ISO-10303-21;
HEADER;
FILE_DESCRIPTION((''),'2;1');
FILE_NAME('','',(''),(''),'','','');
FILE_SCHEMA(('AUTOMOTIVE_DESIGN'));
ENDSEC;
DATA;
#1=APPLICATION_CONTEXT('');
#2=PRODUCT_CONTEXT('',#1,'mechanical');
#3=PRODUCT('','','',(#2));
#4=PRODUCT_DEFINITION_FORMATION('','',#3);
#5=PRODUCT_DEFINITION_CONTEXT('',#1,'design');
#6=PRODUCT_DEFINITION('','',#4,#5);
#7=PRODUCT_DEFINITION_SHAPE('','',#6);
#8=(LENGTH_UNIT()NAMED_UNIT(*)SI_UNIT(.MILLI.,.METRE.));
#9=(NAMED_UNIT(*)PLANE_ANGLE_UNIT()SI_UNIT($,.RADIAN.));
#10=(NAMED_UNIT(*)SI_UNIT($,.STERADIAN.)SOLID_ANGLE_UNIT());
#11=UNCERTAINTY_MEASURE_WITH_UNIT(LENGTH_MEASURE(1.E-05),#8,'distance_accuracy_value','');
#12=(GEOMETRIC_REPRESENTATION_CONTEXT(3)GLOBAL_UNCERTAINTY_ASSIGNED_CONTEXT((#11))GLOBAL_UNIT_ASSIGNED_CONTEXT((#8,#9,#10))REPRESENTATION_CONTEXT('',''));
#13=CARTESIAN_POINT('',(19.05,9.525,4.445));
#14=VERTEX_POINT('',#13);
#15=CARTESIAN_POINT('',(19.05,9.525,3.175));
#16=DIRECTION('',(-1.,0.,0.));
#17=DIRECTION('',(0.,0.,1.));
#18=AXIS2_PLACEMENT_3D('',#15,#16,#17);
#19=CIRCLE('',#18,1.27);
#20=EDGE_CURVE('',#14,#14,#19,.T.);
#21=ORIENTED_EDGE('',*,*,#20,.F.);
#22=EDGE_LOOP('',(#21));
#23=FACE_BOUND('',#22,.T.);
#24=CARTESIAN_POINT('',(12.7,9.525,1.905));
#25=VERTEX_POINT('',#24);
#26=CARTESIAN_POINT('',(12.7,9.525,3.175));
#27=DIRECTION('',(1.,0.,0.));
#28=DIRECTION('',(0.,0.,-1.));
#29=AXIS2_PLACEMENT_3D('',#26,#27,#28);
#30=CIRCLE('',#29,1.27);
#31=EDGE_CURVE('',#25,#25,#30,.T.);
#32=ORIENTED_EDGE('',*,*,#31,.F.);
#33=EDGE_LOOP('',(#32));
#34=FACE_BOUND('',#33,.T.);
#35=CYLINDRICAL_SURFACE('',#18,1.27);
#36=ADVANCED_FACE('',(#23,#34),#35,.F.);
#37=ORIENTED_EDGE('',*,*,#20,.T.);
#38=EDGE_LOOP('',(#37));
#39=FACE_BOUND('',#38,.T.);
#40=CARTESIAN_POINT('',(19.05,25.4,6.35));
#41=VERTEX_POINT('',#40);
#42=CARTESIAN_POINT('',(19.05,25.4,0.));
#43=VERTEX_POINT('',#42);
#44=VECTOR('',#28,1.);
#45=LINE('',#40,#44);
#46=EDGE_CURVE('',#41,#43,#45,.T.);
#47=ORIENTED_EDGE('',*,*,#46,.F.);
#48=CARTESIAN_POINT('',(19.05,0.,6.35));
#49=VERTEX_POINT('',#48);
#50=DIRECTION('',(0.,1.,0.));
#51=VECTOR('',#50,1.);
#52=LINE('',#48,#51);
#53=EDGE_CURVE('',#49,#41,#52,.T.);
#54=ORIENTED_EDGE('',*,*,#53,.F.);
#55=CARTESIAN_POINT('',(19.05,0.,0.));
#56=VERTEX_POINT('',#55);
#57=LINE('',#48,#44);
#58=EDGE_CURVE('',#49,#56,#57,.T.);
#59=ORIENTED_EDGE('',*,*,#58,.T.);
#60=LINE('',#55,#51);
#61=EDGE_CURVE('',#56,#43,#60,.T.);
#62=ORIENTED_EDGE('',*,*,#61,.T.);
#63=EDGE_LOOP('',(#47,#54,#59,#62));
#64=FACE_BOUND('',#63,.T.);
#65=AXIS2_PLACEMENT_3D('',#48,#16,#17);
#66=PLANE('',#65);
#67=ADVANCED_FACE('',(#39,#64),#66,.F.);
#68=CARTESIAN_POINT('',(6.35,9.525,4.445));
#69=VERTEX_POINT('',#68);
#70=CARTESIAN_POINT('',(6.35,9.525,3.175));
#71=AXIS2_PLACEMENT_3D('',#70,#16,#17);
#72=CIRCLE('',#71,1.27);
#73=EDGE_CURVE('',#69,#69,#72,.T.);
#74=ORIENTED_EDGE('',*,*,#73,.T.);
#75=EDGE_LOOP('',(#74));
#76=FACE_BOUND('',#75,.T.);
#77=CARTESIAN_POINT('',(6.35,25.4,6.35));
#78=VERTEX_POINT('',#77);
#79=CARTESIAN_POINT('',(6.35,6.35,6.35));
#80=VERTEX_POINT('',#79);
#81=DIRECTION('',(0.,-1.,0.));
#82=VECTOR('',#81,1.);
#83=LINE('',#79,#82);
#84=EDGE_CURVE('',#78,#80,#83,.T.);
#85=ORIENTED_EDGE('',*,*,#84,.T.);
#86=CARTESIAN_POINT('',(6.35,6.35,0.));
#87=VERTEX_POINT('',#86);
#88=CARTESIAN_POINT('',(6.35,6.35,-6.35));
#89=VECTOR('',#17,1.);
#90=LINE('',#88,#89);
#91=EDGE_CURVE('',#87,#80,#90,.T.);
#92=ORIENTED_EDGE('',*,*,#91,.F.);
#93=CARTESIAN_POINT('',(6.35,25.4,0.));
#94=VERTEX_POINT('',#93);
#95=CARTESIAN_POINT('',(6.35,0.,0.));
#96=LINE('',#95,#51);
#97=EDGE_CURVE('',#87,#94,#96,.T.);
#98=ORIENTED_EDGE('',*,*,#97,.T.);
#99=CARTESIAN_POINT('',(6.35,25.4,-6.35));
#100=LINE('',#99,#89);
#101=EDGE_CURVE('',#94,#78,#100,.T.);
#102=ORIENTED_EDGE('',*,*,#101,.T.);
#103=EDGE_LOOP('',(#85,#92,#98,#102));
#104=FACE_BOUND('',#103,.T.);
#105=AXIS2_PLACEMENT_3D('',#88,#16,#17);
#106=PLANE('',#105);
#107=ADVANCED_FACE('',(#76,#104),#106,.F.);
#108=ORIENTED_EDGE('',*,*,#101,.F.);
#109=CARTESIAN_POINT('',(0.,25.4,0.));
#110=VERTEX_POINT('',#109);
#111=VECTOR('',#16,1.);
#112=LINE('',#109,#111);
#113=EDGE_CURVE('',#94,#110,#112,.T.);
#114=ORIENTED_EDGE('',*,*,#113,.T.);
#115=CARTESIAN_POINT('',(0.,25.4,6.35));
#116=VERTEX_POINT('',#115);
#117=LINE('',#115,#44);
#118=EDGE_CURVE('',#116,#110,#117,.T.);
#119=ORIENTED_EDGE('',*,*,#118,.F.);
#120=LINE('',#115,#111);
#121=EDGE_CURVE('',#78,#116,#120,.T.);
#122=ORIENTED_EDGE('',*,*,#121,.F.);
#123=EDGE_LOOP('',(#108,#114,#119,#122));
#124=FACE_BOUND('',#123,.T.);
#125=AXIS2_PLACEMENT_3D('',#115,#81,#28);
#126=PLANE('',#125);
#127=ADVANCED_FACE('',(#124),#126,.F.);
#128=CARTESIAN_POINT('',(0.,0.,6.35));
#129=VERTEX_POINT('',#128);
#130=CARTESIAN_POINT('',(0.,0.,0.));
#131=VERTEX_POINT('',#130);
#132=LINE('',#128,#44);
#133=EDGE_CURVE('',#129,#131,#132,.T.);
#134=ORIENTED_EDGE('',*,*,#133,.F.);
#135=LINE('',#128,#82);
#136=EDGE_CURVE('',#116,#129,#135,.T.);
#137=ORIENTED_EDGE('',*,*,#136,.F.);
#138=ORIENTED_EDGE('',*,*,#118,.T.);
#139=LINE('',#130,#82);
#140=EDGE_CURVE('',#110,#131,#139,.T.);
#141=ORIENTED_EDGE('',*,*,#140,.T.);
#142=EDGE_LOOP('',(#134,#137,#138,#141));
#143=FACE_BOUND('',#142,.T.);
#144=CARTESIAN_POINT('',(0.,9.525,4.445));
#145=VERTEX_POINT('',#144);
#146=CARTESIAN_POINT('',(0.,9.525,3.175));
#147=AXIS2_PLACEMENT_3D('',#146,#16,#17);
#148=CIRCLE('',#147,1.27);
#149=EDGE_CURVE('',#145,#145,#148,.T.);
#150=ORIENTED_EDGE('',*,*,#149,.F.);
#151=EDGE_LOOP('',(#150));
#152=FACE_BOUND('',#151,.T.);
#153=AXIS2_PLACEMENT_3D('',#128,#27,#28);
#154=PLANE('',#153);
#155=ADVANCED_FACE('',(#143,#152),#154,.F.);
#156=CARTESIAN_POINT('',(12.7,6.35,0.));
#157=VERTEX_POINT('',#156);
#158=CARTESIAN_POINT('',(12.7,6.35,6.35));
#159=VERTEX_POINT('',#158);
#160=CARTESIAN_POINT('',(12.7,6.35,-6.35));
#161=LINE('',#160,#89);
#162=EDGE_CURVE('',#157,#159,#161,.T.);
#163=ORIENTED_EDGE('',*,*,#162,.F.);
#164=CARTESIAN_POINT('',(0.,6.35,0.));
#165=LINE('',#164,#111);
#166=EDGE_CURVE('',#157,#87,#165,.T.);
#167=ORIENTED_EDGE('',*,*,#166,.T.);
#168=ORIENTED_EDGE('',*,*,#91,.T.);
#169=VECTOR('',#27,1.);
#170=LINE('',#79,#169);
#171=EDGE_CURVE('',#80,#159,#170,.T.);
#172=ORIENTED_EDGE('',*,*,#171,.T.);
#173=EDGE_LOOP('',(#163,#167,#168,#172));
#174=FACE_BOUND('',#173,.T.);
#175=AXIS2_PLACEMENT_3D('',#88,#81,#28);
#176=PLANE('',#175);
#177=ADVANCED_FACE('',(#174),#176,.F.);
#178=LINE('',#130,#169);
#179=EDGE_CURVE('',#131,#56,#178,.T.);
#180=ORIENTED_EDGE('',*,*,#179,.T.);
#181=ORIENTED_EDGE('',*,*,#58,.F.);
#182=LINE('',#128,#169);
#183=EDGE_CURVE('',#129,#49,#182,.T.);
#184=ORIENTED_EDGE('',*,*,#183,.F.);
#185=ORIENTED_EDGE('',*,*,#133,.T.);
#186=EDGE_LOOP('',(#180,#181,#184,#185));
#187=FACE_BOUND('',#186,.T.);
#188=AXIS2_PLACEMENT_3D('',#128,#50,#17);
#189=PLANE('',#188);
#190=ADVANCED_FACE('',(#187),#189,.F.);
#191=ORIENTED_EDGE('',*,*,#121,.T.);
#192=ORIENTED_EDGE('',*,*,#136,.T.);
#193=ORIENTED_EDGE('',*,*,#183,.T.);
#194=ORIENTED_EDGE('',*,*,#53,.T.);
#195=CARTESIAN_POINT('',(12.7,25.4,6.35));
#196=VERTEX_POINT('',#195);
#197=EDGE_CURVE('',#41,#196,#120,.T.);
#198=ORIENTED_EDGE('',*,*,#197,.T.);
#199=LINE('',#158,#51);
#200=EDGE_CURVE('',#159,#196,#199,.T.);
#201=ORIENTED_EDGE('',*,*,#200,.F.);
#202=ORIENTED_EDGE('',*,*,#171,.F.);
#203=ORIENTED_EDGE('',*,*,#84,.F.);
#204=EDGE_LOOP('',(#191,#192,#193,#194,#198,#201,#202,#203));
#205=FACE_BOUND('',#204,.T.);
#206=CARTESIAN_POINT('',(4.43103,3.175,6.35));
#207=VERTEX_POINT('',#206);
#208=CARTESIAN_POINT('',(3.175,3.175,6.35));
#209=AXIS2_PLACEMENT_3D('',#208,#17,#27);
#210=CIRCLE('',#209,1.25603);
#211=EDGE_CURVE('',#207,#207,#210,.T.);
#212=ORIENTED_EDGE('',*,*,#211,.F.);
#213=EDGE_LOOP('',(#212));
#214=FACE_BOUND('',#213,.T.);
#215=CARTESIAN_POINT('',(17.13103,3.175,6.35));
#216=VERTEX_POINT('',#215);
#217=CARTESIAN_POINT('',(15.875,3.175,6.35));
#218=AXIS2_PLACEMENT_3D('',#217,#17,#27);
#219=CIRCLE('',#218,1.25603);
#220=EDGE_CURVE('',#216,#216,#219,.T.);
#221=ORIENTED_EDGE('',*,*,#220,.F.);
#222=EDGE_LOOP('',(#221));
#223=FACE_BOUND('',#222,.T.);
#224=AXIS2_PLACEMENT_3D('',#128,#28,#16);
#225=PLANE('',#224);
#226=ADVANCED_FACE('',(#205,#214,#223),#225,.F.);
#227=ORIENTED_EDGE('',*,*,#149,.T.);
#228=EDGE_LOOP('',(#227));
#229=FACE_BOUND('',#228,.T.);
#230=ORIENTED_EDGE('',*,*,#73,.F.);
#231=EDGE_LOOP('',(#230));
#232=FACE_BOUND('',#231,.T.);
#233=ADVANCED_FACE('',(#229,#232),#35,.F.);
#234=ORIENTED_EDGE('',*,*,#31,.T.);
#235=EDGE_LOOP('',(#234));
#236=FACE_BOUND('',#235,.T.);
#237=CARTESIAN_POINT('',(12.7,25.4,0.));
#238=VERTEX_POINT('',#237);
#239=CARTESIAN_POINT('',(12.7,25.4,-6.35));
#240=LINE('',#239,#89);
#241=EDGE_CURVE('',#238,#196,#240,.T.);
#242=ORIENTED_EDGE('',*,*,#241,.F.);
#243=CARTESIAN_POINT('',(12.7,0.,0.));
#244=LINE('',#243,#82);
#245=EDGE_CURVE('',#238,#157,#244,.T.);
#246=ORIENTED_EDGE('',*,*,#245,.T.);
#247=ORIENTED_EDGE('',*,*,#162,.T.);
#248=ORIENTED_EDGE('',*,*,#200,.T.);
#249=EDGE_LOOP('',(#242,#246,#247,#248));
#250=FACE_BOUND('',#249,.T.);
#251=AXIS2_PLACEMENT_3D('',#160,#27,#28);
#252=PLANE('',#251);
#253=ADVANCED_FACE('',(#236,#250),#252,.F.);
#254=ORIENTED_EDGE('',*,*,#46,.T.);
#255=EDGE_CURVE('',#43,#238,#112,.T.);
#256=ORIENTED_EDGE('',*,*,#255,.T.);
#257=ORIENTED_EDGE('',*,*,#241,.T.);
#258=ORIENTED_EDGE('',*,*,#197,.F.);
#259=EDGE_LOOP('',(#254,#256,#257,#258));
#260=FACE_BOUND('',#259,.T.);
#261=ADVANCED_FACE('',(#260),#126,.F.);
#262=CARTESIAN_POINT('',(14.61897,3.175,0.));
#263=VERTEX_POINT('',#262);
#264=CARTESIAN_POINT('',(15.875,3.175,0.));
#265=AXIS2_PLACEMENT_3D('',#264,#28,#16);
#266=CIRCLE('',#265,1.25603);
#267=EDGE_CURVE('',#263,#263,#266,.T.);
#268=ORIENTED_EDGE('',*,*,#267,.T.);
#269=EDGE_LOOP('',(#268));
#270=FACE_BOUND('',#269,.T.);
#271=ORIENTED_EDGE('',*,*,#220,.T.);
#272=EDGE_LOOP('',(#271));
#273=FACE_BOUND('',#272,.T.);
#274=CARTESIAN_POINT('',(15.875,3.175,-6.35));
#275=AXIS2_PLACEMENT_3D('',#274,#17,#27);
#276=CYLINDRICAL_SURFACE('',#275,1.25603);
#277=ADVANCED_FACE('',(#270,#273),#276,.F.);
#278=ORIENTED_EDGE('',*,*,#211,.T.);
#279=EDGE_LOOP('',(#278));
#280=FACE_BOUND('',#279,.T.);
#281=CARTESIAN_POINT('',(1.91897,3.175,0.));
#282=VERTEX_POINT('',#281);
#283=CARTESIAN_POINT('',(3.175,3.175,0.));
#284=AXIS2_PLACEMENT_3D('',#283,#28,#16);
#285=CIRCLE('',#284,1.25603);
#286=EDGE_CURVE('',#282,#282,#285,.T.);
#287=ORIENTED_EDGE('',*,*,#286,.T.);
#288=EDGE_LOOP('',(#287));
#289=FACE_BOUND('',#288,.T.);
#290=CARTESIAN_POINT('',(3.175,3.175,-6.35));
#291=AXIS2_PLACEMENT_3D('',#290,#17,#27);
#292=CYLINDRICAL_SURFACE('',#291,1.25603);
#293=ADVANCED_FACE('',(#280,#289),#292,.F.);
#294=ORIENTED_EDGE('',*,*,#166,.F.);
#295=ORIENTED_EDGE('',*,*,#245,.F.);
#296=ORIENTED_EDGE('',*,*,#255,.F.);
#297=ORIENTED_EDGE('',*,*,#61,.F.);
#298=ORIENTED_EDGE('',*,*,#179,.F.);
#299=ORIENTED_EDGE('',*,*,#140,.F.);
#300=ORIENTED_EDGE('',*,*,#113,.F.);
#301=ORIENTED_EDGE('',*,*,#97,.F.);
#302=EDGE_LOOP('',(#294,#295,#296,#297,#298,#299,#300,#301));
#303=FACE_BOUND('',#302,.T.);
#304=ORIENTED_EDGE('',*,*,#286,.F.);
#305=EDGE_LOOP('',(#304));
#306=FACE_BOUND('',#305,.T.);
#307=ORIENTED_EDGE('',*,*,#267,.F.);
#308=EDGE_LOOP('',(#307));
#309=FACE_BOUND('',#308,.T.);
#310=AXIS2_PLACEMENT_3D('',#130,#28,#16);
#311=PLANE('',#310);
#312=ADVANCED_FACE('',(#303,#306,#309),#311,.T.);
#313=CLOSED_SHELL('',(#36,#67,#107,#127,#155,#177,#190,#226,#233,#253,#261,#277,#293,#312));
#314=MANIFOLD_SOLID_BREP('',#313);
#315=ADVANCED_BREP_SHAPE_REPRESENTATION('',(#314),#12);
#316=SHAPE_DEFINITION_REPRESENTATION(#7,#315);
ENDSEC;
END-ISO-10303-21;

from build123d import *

# Parameters (mm, degrees)
SKETCH1_W        = 19.05
SKETCH1_H        = 25.4
MAIN_BLOCK_DEPTH = 6.35
SKETCH2_W        = 6.35
SKETCH2_H        = 19.05
U_CUT_DEPTH      = 12.7
SKETCH3_R        = 1.25603
BOLT_HOLES_DEPTH = 12.7
SKETCH4_R        = 1.27
PIN_HOLE_DEPTH   = 20.05


with BuildPart() as part:
    # Sketch1 → Main block (new body)
    with BuildSketch(Plane.XY):
        with Locations((9.525, 12.7)):
            Rectangle(SKETCH1_W, SKETCH1_H)
    extrude(amount=MAIN_BLOCK_DEPTH)

    # Sketch2 → U-cut (cut)
    with BuildSketch(Plane.XY.offset(6.35)):
        with Locations((9.525, 15.875)):
            Rectangle(SKETCH2_W, SKETCH2_H)
    extrude(amount=-U_CUT_DEPTH, mode=Mode.SUBTRACT)

    # Sketch3 → Bolt holes (cut)
    with BuildSketch(Plane.XY.offset(6.35)):
        with Locations((3.175, 3.175)):
            Circle(SKETCH3_R)
        with Locations((15.875, 3.175)):
            Circle(SKETCH3_R)
    extrude(amount=-BOLT_HOLES_DEPTH, mode=Mode.SUBTRACT)

    # Sketch4 → Pin hole (cut, through all)
    with BuildSketch(Plane.ZY):
        with Locations((3.175, 9.525)):
            Circle(SKETCH4_R)
    extrude(amount=-PIN_HOLE_DEPTH, mode=Mode.SUBTRACT)


solid = part.part
